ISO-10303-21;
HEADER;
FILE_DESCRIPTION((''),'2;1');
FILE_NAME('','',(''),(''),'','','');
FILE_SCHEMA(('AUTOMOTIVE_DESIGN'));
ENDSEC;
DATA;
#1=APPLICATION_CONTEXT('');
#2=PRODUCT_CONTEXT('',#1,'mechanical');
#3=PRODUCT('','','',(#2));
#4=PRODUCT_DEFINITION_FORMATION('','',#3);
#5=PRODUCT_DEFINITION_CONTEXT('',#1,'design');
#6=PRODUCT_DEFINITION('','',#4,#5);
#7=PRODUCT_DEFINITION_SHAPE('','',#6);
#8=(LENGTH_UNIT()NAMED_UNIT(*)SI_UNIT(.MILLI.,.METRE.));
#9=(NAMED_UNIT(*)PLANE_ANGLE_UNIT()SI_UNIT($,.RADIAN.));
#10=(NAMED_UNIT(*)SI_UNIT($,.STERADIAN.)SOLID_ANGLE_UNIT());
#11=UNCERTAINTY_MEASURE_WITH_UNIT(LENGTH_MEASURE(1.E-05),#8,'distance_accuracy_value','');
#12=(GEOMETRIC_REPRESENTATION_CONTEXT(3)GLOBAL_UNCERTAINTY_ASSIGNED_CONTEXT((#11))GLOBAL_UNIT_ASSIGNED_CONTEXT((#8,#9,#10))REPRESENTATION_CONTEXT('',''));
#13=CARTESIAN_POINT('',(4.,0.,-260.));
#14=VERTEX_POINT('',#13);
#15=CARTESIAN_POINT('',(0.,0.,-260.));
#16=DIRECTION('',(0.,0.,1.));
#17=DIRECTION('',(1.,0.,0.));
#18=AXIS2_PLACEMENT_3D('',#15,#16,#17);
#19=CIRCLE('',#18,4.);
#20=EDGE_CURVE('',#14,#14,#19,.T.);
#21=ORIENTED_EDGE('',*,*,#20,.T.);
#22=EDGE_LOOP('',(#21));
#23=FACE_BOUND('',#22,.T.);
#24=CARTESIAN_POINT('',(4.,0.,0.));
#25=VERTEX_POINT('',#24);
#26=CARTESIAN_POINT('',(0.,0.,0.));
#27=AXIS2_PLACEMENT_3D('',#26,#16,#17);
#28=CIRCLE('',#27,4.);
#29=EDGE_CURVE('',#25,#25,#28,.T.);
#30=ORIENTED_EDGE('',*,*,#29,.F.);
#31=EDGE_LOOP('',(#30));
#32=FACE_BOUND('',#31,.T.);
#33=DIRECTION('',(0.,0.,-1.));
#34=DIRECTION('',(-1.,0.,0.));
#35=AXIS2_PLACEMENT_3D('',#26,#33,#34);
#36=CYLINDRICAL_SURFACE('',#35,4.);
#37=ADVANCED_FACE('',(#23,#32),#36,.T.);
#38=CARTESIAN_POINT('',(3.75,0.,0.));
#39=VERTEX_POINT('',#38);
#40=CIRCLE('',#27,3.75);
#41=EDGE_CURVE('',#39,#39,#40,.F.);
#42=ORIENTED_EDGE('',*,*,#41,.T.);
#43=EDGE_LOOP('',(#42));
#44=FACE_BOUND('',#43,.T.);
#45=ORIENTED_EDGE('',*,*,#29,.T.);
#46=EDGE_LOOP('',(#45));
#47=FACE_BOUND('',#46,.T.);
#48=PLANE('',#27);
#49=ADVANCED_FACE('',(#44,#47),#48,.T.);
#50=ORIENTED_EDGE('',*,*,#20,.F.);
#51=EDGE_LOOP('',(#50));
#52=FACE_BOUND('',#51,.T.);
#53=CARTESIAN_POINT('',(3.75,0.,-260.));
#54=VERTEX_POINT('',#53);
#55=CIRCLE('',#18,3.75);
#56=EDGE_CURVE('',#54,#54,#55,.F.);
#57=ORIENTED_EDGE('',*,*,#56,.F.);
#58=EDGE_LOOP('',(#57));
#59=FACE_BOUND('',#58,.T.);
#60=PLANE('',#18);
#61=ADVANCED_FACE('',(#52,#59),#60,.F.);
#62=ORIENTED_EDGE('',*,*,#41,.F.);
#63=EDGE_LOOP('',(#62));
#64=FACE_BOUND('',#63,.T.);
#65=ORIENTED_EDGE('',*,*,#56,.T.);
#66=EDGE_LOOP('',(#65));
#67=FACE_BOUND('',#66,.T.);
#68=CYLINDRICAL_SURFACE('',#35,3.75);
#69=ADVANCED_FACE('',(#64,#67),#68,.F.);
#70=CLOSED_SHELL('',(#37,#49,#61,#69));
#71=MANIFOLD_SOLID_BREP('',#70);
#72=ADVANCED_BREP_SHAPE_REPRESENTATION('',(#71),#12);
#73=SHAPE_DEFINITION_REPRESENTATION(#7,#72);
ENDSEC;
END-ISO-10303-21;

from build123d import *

# Parameters (mm, degrees)
SKETCH1_R   = 4
SKETCH1_R_2 = 3.75


with BuildPart() as part:
    # Sweep1: sweep along a path in Sketch2
    with BuildLine(Plane(origin=(0, 0, 0), x_dir=(0, 0, -1), z_dir=(1, 0, 0))) as sweep1_path:
        Line((0, 0), (260, 0))
    # Sketch1 → Sweep1 (sweep)
    with BuildSketch(Plane.XY):
        Circle(SKETCH1_R)
        Circle(SKETCH1_R_2, mode=Mode.SUBTRACT)
    sweep(path=sweep1_path.line)


solid = part.part
